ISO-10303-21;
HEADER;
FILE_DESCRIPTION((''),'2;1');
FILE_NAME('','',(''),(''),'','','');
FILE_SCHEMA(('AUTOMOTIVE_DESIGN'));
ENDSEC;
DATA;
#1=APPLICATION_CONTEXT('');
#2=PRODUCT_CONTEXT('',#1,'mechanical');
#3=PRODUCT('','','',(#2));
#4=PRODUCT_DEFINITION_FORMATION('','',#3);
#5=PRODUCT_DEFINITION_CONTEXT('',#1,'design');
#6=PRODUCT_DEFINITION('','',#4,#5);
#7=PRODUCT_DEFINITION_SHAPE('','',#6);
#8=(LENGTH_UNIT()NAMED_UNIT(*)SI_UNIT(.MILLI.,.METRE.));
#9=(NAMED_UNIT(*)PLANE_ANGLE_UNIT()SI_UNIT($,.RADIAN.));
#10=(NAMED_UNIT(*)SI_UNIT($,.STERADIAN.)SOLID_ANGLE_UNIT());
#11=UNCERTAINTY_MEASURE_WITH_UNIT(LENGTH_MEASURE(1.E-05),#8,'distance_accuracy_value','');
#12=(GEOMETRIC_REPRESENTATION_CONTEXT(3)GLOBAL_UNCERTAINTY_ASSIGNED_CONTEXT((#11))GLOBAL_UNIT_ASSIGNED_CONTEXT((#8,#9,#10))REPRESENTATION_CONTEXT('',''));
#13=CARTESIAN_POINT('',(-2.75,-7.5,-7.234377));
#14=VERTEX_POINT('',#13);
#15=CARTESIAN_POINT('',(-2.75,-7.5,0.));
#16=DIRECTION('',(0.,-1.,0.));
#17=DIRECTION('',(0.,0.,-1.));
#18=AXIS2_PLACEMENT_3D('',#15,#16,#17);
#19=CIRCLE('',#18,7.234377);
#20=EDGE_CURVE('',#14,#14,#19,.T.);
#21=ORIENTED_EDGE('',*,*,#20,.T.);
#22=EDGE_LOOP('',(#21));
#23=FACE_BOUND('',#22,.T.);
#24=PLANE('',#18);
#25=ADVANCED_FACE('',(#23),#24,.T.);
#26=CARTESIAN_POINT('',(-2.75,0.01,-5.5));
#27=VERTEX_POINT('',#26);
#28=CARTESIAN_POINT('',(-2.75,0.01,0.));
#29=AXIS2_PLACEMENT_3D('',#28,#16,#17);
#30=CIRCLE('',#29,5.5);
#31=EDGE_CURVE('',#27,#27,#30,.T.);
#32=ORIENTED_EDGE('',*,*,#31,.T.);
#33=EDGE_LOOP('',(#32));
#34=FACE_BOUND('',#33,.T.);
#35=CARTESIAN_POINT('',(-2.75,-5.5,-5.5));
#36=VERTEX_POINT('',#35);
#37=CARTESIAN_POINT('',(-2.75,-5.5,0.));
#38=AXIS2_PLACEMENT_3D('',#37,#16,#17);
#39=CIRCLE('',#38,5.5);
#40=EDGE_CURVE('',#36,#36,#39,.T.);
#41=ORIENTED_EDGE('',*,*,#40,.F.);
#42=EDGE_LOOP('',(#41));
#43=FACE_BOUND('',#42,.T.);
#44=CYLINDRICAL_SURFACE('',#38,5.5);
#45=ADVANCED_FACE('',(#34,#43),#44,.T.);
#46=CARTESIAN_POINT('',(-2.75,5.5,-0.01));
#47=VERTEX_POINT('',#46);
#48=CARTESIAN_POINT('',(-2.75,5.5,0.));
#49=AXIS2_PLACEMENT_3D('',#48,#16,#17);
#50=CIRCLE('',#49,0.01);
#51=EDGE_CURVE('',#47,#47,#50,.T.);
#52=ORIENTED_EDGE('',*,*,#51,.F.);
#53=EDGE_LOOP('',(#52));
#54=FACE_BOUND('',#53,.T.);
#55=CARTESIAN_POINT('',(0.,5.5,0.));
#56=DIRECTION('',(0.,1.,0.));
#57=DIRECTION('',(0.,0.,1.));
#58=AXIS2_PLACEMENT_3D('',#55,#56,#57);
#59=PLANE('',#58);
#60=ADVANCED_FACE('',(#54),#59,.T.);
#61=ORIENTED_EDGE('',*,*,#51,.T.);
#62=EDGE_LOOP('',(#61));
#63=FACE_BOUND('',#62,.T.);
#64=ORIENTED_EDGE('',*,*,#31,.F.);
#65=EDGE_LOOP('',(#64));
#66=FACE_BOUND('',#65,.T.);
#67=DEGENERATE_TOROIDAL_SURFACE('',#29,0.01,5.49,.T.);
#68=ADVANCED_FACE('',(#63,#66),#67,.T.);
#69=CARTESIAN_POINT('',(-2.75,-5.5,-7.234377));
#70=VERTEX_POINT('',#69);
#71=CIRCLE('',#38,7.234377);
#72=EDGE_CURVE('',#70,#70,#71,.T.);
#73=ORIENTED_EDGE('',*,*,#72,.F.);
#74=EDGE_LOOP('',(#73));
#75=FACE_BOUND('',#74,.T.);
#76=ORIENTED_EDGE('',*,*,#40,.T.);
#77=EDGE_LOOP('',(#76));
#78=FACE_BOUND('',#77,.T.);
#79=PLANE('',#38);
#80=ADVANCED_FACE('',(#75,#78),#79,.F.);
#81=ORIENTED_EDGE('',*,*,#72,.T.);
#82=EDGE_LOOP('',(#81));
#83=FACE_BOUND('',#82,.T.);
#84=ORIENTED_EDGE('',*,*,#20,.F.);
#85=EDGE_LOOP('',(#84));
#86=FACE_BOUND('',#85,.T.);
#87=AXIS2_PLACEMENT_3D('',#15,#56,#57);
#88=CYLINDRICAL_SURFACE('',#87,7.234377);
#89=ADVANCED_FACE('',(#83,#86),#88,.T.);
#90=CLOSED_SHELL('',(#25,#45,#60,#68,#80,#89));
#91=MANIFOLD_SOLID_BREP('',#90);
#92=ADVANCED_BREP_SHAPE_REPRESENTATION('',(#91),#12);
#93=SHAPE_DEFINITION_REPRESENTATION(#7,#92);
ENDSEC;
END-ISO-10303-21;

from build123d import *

# Parameters (mm, degrees)
CROQUIS2_R              = 7.234376708
SALIENTE_EXTRUIR1_DEPTH = 2


with BuildPart() as part:
    # Croquis1 → Revolución1 (revolve)
    with BuildSketch(Plane.XY, mode=Mode.PRIVATE) as revoluci_n1_sk:
        with BuildLine():
            Line((2.75, -5.5), (2.75, 0.01))
            ThreePointArc((2.75, 0.01), (1.142016229, 3.892016229), (-2.74, 5.5))
            Line((-2.74, 5.5), (-2.75, 5.5))
            Line((-2.75, 5.5), (-2.75, -5.5))
            Line((-2.75, -5.5), (2.75, -5.5))
        make_face()
    revolve(revoluci_n1_sk.sketch.rotate(Axis((-2.75, -5.5, 0), (0, 1, 0)), 90), axis=Axis((-2.75, -5.5, 0), (0, 1, 0)))

    # Croquis2 → Saliente-Extruir1 (add)
    with BuildSketch(Plane.XZ.offset(5.5)):
        with Locations(Location((-2.75, 0, 0), (0, 0, 270))):
            Circle(CROQUIS2_R)
    extrude(amount=SALIENTE_EXTRUIR1_DEPTH)


solid = part.part
